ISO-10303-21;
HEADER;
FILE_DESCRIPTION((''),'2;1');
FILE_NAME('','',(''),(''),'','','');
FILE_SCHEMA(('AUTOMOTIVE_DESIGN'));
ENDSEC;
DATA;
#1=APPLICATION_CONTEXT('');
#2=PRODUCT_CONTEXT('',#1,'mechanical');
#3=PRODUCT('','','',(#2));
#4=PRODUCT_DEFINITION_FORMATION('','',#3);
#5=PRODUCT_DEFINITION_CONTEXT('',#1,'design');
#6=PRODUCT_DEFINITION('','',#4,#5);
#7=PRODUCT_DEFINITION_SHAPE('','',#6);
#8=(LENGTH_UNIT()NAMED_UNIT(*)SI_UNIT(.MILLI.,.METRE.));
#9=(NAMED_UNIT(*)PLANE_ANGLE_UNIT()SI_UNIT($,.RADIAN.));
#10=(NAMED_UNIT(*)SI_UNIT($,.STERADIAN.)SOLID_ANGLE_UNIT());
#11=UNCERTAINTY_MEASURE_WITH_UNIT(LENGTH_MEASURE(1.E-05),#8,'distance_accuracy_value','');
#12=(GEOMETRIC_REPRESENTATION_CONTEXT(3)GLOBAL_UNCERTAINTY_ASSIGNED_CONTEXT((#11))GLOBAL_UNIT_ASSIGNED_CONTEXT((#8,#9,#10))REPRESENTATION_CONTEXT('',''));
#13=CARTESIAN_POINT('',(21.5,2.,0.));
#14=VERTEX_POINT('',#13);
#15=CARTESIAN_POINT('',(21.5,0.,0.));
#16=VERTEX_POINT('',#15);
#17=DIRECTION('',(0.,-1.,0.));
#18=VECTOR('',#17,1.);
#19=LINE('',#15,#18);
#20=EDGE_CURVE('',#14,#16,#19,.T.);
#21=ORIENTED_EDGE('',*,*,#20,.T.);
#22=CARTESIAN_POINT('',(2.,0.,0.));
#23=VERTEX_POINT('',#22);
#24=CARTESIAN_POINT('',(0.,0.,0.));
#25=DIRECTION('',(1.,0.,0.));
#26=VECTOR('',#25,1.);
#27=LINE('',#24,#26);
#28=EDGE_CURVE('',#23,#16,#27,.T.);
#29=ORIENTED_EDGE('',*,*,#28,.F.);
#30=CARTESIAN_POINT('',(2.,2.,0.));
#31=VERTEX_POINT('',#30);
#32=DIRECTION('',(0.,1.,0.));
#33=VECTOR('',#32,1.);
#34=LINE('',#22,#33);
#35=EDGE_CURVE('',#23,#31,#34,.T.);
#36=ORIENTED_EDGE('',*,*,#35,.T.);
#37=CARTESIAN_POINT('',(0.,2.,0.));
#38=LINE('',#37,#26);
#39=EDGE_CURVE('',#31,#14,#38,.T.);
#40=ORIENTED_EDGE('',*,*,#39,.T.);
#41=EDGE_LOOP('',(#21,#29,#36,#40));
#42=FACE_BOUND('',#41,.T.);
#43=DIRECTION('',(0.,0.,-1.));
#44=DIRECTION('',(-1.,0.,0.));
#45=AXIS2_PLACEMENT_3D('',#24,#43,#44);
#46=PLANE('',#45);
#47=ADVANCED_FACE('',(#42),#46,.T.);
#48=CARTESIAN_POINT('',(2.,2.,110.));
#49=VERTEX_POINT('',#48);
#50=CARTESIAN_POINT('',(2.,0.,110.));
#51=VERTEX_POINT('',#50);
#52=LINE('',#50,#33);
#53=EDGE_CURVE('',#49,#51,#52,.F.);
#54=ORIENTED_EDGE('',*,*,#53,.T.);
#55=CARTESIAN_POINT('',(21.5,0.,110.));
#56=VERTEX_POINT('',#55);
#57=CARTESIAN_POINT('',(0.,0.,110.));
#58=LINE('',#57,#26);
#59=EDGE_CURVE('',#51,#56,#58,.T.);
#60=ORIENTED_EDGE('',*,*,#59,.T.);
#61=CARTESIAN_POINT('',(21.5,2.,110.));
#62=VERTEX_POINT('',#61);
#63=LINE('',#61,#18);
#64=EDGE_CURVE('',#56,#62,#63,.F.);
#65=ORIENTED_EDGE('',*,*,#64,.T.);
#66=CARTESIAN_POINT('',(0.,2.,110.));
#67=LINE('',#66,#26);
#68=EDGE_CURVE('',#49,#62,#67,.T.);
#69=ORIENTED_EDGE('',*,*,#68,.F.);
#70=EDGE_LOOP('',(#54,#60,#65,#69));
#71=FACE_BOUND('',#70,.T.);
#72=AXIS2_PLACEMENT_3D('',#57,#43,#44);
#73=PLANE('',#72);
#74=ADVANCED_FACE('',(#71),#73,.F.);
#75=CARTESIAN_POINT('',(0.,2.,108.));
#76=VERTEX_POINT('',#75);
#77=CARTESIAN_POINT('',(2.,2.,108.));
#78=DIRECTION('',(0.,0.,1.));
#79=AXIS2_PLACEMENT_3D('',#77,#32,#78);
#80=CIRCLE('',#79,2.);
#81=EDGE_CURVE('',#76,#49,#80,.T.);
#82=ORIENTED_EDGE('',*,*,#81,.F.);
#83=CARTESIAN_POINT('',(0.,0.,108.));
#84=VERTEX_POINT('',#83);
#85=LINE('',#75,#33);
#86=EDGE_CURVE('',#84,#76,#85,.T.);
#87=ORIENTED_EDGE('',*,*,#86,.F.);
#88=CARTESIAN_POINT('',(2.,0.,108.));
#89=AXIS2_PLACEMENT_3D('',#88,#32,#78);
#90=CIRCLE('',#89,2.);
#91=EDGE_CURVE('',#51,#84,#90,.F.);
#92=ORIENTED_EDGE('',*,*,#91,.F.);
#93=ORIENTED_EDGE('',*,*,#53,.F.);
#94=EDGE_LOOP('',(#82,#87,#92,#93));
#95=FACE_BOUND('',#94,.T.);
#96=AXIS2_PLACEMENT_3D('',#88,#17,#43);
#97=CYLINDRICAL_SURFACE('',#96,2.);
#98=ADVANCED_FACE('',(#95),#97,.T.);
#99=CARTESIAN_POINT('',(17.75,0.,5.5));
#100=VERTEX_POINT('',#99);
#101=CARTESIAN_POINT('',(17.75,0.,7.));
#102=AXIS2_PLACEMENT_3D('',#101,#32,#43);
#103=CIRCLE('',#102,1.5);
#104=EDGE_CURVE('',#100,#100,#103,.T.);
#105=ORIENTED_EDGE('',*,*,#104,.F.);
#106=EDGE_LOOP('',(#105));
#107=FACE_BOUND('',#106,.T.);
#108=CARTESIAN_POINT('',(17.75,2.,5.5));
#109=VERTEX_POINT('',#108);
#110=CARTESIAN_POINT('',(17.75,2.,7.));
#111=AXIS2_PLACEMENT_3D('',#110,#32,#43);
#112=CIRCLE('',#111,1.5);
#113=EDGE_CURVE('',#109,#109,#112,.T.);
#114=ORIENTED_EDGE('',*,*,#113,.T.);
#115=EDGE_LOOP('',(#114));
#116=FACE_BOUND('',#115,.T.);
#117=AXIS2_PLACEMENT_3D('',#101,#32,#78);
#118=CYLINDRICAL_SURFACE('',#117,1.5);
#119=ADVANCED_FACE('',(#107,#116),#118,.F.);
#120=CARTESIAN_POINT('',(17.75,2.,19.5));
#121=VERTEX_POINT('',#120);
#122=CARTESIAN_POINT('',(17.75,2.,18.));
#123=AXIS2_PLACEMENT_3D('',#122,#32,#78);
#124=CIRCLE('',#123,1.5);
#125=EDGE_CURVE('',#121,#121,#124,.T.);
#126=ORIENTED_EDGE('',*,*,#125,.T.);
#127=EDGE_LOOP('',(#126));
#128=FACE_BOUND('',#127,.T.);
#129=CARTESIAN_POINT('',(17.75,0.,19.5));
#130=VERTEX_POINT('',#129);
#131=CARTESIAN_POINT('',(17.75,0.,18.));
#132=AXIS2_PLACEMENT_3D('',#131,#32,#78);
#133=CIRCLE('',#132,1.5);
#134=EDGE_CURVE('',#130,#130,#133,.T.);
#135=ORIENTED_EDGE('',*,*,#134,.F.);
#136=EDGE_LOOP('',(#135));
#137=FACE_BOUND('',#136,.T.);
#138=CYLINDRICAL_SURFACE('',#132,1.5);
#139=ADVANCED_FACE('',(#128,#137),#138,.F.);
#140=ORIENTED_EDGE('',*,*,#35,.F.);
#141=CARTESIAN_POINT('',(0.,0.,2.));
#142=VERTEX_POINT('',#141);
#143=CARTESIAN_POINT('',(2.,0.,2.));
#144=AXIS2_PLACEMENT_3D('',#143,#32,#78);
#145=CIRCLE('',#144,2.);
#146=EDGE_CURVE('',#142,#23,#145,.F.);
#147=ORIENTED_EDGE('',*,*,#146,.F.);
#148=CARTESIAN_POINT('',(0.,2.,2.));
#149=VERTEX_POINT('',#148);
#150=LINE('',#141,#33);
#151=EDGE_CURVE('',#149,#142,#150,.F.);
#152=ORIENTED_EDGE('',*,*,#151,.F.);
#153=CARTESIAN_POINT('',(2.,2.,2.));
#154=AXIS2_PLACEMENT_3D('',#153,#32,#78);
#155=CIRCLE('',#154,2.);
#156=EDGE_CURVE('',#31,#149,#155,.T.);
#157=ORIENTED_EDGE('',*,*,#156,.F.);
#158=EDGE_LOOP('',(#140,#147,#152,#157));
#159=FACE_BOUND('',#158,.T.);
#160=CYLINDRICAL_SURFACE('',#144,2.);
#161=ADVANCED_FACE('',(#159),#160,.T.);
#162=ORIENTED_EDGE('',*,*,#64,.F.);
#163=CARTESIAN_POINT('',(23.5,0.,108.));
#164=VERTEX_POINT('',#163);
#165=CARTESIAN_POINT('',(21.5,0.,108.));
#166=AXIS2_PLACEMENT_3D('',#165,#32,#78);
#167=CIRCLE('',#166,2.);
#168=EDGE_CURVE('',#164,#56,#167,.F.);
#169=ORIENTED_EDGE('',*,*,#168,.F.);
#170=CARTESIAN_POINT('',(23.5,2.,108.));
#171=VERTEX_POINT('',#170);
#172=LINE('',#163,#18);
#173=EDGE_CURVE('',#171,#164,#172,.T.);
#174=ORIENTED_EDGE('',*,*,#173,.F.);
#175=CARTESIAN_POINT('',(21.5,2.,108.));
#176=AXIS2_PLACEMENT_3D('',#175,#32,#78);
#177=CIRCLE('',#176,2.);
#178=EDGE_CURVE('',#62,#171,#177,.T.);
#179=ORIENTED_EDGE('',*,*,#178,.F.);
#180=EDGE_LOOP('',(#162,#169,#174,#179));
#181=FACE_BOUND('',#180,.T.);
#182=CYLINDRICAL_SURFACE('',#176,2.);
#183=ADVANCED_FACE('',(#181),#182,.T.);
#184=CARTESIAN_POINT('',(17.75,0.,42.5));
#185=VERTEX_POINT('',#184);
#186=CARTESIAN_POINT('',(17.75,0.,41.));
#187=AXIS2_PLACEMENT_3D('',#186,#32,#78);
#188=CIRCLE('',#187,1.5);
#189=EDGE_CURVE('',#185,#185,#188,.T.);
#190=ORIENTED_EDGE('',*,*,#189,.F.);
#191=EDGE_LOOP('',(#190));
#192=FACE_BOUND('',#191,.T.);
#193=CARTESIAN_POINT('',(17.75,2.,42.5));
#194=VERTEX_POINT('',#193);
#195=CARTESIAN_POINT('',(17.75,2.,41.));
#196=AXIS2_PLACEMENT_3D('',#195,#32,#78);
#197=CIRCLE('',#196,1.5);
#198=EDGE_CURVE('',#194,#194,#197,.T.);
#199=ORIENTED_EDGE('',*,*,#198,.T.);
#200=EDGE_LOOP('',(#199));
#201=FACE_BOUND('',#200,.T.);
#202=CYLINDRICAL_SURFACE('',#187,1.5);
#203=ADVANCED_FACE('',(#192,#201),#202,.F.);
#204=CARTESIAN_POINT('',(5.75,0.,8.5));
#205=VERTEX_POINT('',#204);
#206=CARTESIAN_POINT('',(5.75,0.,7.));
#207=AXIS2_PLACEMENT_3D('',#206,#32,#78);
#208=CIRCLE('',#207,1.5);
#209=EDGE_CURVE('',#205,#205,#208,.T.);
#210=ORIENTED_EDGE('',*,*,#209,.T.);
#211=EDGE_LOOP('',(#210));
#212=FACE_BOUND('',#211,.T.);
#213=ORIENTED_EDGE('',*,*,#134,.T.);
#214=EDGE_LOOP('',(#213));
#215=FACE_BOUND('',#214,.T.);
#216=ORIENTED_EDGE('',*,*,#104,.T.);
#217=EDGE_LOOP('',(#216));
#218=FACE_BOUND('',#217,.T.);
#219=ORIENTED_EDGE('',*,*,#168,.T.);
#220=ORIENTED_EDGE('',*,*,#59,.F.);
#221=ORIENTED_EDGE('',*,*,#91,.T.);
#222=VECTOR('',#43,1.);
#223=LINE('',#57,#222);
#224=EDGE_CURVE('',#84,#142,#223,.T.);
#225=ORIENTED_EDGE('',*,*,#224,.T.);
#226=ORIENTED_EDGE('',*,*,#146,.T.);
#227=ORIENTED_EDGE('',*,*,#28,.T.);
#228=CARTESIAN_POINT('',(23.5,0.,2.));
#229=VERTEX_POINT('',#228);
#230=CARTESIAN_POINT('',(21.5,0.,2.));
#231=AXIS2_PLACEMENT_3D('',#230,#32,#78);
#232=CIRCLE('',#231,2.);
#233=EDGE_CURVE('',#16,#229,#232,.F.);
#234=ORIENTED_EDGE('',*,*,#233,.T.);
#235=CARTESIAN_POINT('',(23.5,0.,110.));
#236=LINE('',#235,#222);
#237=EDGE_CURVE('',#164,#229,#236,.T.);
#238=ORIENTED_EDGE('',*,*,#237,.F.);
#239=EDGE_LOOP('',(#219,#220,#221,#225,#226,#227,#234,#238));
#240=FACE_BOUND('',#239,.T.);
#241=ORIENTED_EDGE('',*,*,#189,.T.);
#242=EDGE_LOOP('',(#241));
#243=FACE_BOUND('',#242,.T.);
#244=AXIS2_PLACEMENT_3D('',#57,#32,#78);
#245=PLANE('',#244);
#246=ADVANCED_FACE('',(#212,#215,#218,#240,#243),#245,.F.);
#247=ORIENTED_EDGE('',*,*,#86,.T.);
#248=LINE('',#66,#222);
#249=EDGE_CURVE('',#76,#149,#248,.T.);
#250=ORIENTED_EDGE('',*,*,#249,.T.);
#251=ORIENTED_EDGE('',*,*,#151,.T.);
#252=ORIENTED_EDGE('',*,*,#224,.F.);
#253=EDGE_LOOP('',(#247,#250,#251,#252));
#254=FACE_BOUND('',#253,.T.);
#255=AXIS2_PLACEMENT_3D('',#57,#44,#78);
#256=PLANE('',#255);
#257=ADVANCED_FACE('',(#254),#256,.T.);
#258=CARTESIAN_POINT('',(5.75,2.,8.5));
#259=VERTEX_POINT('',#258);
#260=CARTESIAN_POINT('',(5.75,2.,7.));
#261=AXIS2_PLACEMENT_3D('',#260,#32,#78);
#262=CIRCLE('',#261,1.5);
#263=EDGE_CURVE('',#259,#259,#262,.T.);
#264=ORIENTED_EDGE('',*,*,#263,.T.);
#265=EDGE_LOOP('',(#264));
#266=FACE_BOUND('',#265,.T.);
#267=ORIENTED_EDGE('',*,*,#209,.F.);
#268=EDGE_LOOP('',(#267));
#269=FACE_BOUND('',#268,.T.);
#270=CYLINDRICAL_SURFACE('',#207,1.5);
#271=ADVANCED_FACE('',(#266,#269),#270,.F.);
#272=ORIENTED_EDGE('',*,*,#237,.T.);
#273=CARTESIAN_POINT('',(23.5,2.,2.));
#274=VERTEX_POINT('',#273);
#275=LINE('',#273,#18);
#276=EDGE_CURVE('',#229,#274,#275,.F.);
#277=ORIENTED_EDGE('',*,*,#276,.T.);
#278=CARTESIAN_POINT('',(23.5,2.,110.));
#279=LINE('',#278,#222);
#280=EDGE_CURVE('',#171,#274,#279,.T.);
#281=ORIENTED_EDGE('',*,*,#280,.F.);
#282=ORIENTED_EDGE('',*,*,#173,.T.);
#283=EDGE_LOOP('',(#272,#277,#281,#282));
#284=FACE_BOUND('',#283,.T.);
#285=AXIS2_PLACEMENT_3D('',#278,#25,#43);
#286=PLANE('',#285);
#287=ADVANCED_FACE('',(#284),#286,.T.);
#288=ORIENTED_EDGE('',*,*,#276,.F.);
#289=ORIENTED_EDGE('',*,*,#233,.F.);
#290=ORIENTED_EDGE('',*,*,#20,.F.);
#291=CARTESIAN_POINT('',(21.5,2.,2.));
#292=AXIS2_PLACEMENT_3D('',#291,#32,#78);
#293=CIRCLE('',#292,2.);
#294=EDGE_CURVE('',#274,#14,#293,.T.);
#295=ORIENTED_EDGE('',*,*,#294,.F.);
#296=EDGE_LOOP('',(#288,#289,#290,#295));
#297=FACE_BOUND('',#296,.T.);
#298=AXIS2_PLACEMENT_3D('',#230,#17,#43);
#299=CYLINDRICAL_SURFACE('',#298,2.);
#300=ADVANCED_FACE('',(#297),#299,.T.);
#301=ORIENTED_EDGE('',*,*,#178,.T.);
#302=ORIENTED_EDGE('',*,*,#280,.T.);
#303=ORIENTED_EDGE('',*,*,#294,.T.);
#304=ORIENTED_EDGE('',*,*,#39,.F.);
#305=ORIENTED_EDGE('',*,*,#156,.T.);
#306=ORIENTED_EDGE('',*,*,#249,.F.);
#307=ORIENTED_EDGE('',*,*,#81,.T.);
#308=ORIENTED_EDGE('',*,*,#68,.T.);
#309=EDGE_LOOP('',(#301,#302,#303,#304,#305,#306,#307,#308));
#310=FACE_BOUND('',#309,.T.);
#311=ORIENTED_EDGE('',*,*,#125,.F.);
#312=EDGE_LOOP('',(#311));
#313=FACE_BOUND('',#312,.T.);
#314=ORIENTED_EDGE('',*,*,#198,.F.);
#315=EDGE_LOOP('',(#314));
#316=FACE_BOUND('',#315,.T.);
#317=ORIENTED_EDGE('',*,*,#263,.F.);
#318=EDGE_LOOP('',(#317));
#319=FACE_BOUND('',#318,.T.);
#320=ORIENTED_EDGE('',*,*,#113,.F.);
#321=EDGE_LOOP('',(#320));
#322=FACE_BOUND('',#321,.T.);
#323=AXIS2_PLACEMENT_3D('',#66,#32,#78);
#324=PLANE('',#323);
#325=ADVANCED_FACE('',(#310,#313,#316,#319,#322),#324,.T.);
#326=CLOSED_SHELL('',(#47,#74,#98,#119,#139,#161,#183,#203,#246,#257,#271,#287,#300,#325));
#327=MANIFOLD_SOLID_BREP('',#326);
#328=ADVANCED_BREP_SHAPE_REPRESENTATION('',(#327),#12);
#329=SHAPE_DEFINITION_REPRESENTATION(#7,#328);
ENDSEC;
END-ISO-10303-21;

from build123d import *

# Parameters (mm, degrees)
ESQUISSE1_W             = 23.5
ESQUISSE1_H             = 2
EXTRU_MINCE1_DEPTH      = 110
ESQUISSE2_R             = 1.5
ENL_V_MAT_EXTRU_1_DEPTH = 113.5
CONG_1_R                = 2


with BuildPart() as part:
    # Esquisse1 → Extru.-Mince1 (new body)
    with BuildSketch(Plane.XY):
        with Locations((11.75, 1)):
            Rectangle(ESQUISSE1_W, ESQUISSE1_H)
    extrude(amount=EXTRU_MINCE1_DEPTH)

    # Esquisse2 → Enlèv. mat.-Extru.1 (cut, through all)
    with BuildSketch(Plane(origin=(0, 2, 0), x_dir=(1, 0, 0), z_dir=(0, 1, 0))):
        with Locations(Location((5.75, -7, 0), (0, 0, 270))):
            Circle(ESQUISSE2_R)
        with Locations(Location((17.75, -18, 0), (0, 0, 270))):
            Circle(ESQUISSE2_R)
        with Locations(Location((17.75, -41, 0), (0, 0, 270))):
            Circle(ESQUISSE2_R)
        with Locations(Location((17.75, -7, 0), (0, 0, 90))):
            Circle(ESQUISSE2_R)
    extrude(amount=-ENL_V_MAT_EXTRU_1_DEPTH, mode=Mode.SUBTRACT)

    # Congé1
    cong_1_edges = [part.edges().sort_by_distance(p)[0] for p in [
        (0, 1, 110),
        (0, 1, 0),
        (23.5, 1, 0),
        (23.5, 1, 110),
    ]]
    fillet(cong_1_edges, radius=CONG_1_R)


solid = part.part
